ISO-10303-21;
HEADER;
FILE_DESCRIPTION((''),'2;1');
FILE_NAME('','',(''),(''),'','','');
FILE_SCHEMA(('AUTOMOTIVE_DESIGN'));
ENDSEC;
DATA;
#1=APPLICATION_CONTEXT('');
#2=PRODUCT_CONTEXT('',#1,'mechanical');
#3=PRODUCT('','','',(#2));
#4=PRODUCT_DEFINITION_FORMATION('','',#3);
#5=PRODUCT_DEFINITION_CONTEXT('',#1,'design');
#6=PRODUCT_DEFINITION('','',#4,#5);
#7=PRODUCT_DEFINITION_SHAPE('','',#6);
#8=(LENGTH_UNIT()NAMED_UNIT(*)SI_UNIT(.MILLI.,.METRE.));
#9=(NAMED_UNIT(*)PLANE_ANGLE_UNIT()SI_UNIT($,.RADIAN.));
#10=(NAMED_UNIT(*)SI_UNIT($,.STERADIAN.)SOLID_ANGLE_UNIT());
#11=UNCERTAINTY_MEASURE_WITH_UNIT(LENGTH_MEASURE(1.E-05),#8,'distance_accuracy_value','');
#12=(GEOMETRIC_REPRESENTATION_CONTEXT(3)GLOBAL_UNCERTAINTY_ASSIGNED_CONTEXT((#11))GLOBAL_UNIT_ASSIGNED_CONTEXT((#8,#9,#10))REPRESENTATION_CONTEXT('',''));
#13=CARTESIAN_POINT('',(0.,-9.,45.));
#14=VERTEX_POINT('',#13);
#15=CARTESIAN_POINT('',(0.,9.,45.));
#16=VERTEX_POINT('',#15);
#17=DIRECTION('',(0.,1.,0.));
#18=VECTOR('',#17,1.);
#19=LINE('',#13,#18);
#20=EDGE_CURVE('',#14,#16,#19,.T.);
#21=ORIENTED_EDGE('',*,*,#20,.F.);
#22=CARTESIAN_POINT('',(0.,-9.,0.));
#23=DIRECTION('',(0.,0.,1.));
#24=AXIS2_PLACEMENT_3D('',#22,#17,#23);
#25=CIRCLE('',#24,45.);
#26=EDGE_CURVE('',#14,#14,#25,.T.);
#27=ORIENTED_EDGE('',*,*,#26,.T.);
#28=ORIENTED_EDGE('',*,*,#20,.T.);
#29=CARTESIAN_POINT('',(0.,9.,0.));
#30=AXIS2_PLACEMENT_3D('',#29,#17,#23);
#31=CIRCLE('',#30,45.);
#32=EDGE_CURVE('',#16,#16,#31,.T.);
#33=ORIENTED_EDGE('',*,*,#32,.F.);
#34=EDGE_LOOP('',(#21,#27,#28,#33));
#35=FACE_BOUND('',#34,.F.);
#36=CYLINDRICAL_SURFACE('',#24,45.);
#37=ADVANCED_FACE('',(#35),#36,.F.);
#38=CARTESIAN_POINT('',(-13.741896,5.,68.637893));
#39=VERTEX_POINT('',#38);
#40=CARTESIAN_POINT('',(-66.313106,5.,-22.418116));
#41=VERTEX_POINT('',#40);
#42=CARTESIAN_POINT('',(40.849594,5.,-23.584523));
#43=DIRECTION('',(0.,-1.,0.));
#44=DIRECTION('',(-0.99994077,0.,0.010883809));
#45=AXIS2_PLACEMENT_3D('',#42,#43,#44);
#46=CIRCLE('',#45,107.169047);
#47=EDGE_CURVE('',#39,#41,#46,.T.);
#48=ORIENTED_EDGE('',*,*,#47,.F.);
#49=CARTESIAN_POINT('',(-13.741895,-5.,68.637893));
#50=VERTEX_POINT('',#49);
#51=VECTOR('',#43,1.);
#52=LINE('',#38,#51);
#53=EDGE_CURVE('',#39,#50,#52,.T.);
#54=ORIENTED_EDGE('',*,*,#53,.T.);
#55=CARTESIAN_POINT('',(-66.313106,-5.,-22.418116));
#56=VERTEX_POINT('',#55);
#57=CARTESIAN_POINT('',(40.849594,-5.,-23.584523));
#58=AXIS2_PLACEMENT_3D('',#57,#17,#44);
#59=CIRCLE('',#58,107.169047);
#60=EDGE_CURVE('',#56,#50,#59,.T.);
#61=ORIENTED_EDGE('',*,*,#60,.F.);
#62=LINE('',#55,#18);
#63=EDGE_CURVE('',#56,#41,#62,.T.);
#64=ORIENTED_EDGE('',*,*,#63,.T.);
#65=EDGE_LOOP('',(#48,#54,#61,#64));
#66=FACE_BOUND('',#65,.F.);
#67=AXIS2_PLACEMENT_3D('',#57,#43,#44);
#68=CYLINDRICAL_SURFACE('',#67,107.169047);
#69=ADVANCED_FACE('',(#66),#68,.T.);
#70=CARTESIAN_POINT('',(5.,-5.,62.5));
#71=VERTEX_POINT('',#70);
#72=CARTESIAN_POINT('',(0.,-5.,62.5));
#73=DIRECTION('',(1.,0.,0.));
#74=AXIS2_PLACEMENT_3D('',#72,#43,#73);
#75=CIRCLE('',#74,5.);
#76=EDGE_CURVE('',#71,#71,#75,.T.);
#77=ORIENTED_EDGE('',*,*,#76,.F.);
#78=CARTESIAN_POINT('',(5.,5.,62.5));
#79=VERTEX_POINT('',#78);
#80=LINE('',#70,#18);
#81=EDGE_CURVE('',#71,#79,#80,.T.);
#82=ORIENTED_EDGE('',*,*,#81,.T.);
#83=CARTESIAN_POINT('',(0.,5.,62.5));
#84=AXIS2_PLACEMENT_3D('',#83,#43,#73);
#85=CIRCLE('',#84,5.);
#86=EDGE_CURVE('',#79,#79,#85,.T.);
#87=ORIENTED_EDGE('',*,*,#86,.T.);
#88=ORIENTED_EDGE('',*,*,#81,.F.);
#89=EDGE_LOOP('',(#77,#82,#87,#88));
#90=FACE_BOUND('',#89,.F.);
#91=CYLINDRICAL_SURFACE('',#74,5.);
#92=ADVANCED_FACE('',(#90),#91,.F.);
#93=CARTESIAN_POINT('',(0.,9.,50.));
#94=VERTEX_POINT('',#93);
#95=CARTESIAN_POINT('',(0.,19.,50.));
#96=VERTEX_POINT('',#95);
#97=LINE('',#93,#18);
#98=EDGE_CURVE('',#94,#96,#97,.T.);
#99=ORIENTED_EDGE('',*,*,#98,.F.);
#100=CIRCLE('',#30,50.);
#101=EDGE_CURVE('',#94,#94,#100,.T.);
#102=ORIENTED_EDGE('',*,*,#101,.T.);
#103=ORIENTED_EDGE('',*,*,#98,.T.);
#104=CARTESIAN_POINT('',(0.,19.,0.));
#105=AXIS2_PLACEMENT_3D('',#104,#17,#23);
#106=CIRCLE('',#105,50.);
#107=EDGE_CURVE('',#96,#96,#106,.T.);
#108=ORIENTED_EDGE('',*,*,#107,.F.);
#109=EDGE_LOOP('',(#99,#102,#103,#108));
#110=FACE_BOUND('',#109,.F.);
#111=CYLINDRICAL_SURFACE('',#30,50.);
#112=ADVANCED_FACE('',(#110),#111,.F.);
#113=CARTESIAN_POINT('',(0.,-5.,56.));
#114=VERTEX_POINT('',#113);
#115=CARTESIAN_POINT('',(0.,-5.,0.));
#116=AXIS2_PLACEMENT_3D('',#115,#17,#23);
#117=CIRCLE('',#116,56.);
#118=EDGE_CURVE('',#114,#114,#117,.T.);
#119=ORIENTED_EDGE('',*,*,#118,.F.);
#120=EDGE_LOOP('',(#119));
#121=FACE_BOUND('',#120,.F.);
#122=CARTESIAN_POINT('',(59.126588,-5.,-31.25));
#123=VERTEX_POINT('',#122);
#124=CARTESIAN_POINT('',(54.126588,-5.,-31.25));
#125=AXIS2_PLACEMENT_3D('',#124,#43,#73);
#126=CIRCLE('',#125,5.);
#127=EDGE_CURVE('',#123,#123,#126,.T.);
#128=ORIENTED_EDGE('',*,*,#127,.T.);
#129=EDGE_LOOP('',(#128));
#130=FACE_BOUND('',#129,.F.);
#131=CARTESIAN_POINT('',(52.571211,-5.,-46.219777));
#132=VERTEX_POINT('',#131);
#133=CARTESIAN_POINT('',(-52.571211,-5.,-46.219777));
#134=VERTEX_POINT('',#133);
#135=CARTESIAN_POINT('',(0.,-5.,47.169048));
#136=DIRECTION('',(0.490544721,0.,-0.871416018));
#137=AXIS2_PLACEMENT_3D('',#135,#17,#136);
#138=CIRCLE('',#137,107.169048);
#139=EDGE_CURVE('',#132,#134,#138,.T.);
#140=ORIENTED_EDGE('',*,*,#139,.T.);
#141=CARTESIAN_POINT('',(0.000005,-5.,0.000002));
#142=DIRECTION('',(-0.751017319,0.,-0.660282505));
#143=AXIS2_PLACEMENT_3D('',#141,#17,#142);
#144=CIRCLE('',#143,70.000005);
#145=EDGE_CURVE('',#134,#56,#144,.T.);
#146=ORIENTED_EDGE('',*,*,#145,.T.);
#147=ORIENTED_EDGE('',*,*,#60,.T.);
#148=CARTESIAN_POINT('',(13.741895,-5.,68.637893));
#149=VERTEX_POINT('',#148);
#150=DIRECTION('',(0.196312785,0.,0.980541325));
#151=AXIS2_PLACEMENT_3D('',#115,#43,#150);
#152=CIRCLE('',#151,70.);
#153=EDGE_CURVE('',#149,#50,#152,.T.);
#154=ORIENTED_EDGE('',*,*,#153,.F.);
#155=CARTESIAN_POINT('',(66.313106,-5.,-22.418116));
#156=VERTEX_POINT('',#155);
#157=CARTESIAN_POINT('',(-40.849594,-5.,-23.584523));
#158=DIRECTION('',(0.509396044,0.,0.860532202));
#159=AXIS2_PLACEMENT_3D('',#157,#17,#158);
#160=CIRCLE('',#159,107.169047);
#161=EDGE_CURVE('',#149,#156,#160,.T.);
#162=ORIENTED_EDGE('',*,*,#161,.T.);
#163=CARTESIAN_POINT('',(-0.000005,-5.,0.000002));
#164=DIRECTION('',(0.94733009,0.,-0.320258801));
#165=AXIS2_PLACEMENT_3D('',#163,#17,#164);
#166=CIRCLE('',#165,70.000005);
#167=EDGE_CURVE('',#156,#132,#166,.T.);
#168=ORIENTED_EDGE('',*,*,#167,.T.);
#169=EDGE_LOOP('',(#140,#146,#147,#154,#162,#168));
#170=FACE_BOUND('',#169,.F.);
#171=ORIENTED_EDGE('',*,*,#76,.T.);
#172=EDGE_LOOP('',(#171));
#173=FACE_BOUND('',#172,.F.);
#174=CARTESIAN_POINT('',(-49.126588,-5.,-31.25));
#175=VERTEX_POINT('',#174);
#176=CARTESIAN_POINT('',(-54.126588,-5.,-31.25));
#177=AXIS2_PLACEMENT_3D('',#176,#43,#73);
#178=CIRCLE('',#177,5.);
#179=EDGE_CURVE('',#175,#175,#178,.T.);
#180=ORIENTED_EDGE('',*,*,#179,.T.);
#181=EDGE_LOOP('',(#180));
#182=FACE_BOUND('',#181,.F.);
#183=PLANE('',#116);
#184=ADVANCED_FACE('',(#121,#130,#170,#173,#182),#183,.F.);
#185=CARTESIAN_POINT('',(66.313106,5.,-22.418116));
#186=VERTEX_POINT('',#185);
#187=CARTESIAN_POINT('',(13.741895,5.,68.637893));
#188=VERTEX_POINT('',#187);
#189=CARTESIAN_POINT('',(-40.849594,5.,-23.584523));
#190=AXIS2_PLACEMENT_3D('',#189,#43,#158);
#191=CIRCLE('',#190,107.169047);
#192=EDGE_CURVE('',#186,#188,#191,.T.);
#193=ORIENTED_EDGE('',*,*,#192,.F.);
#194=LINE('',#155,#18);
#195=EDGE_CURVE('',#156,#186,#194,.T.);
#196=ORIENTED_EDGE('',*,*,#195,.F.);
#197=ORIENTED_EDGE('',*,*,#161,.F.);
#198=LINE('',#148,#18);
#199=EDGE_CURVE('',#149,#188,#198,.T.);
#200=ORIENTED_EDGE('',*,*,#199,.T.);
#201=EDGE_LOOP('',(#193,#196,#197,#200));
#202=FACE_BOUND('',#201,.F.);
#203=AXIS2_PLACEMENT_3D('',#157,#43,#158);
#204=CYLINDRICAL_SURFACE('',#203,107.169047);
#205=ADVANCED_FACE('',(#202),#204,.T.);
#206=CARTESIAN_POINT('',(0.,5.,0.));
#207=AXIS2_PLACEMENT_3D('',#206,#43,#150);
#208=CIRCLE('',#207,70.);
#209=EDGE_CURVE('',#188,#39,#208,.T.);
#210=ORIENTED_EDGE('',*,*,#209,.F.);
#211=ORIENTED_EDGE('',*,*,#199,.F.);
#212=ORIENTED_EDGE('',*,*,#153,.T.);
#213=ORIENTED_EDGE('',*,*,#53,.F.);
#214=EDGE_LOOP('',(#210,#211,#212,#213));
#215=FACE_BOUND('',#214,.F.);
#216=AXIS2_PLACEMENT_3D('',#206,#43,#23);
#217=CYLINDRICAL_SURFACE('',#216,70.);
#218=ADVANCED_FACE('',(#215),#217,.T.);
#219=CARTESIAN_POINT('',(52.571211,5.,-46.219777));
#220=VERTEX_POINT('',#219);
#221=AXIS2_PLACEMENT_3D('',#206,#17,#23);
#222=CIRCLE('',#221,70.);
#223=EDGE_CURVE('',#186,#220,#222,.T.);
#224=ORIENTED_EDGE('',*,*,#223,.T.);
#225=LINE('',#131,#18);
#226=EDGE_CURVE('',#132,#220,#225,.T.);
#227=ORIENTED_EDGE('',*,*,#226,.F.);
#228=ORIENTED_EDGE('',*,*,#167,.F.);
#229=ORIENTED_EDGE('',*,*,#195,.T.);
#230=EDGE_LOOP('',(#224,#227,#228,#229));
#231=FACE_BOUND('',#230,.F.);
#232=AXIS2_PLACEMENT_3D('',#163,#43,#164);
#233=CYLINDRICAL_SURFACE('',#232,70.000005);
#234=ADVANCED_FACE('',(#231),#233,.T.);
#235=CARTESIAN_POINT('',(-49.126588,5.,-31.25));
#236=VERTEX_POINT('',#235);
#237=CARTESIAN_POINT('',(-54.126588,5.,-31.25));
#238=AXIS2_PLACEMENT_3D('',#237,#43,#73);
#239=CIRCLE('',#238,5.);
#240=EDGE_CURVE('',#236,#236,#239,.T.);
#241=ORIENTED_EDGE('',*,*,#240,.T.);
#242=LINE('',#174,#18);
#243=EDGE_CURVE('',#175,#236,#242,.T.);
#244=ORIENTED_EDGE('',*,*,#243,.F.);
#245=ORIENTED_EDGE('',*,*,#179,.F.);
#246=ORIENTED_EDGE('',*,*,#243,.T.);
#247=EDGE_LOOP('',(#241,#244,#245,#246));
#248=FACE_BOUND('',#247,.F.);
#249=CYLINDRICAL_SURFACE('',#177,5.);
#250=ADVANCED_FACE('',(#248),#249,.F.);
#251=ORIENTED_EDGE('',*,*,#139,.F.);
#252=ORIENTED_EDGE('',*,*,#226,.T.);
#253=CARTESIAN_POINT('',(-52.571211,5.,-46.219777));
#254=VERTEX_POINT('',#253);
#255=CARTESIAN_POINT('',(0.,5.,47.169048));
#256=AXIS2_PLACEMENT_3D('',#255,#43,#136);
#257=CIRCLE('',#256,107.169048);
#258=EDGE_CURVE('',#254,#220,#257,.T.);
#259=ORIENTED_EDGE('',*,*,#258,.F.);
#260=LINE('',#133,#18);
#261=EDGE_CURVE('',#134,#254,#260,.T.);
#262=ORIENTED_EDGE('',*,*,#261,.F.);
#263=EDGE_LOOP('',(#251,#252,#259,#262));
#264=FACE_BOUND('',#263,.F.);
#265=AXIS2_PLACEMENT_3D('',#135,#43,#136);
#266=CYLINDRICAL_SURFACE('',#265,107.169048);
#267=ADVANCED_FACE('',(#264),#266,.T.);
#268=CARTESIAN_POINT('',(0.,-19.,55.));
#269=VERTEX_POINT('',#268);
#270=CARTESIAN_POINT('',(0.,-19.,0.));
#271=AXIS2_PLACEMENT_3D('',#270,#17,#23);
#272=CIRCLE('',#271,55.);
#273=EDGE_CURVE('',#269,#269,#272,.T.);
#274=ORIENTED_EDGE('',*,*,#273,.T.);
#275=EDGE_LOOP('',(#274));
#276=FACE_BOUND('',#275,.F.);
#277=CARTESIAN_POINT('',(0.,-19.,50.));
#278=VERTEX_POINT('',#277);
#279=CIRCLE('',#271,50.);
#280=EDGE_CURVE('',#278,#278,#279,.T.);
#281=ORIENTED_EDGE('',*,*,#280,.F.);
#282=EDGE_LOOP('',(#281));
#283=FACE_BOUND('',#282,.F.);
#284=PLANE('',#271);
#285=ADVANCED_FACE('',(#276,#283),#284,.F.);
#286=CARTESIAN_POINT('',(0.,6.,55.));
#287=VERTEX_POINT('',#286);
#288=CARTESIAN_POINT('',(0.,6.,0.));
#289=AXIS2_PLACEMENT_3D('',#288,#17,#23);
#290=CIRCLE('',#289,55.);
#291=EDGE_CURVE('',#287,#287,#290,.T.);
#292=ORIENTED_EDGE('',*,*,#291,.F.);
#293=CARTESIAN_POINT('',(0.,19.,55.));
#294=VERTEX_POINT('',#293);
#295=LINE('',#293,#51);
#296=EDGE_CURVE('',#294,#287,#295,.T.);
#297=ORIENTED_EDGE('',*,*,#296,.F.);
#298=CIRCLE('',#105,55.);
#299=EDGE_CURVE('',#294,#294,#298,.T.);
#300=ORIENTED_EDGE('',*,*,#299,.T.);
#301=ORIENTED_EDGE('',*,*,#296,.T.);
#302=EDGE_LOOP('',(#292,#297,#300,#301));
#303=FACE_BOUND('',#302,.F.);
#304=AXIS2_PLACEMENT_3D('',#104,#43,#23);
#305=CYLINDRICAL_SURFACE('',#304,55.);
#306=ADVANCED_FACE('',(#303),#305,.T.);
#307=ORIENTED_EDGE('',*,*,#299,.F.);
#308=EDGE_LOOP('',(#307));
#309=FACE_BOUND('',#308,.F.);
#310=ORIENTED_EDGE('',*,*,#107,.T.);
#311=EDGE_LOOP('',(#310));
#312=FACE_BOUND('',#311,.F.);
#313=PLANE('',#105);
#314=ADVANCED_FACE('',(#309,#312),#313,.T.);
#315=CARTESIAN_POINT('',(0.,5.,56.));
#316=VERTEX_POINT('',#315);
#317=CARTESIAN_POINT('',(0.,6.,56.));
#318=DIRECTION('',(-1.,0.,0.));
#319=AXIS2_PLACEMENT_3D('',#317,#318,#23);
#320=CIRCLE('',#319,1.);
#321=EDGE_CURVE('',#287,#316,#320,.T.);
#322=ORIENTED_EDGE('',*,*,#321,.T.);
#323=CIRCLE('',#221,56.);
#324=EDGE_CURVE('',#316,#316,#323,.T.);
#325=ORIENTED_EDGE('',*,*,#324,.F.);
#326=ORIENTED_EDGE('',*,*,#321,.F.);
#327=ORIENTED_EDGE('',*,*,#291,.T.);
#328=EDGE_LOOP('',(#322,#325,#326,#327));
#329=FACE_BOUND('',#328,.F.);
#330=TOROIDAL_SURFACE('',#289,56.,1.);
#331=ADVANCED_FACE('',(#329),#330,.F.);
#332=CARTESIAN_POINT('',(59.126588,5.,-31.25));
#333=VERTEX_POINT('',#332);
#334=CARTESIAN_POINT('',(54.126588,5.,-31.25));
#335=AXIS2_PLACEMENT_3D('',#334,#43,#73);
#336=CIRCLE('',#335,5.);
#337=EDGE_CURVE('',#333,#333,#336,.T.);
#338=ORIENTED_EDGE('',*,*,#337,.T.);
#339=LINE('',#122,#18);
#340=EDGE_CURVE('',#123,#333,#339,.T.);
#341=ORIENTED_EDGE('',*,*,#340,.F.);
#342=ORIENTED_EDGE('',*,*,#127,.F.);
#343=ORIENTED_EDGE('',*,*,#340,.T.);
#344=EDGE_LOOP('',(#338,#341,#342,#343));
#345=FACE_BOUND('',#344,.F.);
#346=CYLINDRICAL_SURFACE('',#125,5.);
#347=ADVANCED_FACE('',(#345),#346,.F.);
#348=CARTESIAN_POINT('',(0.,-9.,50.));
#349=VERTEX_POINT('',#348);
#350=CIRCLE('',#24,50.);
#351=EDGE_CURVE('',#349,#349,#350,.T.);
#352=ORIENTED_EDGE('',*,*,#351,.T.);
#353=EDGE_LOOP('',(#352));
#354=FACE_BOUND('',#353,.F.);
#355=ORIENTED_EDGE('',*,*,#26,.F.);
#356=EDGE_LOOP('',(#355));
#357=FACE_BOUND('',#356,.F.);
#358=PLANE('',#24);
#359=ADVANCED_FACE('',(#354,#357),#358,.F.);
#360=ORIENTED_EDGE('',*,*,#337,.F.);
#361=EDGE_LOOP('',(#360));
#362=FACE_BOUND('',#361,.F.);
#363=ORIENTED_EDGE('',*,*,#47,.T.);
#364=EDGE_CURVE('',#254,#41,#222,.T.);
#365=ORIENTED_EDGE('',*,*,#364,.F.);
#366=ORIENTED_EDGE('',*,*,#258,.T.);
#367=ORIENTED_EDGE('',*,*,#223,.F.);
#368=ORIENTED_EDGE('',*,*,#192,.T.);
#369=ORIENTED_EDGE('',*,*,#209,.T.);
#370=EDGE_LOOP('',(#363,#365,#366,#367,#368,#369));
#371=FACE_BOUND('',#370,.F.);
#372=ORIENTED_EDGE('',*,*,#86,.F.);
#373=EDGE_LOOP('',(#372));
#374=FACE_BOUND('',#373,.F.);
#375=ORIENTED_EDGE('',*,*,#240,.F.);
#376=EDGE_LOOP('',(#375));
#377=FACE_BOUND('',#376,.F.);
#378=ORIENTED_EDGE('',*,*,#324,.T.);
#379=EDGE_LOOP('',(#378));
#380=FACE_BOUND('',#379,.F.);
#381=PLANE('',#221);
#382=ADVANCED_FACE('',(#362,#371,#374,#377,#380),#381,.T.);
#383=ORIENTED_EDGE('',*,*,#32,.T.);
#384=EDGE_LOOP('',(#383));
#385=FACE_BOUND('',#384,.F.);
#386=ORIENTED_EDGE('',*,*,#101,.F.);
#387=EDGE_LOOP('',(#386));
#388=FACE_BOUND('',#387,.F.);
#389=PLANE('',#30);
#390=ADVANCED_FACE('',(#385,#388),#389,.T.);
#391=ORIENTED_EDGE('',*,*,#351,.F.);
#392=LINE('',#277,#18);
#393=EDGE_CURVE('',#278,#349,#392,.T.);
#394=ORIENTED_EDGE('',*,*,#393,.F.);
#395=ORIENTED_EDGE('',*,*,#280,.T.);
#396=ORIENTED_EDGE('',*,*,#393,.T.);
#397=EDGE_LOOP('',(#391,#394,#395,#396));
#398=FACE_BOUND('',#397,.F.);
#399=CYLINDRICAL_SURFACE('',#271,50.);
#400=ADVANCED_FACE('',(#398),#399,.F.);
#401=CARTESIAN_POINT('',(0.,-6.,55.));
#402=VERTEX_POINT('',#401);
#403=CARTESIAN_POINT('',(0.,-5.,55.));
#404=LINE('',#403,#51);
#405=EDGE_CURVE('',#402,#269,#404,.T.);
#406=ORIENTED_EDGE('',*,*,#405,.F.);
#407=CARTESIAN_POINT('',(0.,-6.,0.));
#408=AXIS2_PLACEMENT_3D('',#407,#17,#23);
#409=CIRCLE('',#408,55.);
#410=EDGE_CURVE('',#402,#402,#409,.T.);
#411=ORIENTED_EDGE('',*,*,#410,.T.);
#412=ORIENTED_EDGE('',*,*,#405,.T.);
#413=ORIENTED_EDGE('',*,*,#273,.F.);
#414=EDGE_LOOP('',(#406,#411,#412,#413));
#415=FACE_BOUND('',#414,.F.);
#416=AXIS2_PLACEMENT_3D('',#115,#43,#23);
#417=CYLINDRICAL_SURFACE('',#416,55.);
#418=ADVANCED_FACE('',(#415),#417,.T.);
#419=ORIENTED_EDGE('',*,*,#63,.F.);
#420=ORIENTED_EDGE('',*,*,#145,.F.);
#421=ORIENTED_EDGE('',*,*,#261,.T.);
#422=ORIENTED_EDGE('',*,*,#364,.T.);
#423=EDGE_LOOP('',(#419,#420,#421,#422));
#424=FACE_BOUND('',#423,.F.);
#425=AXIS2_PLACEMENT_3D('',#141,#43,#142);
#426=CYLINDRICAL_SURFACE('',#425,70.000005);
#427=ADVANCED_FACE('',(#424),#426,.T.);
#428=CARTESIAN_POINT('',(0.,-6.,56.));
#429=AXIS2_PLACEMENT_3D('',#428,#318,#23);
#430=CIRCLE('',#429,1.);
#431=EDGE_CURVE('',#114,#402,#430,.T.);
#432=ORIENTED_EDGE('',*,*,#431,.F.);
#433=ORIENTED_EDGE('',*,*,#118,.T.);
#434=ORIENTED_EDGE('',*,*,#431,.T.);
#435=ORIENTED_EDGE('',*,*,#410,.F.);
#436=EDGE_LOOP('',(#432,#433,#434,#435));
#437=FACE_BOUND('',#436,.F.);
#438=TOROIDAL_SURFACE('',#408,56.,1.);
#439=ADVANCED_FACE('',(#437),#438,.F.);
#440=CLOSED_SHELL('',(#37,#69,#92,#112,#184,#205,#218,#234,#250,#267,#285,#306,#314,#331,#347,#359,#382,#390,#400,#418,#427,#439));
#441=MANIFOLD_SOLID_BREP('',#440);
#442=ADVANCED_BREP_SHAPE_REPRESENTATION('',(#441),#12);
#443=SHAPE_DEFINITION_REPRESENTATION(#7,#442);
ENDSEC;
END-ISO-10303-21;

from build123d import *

# Parameters (mm, degrees)
F2_R     = 5
F3_DEPTH = 24.001
F4_R     = 81.962232
F5_DEPTH = 24.001
F6_R     = 1


with BuildPart() as f1:
    # F0 (on Right) → F1 (revolve)
    with BuildSketch(Plane.YZ):
        Polygon((-19, 55), (-19, 50), (-9, 50), (-9, 45), (9, 45), (9, 50), (19, 50), (19, 55), (5, 55), (5, 70), (-5, 70), (-5, 55), align=None)
    revolve(axis=Axis((0, 0.467166, 0), (0, 1, 0)))

    # F2 (on face) → F3 (cut, through all)
    with BuildSketch(Plane.XZ.offset(5)):
        with Locations((0, 62.5)):
            Circle(F2_R)
        with Locations((-54.126588, -31.25)):
            Circle(F2_R)
        with Locations((54.126588, -31.25)):
            Circle(F2_R)
    extrude(amount=-F3_DEPTH, mode=Mode.SUBTRACT)

    # F4 (on face) → F5 (cut, through all)
    with BuildSketch(Plane.XZ.offset(5)):
        Circle(F4_R)
        with BuildLine():
            ThreePointArc((-13.741895, 68.637893), (0, 70), (13.741895, 68.637893))
            ThreePointArc((13.741895, 68.637893), (51.961524, 30), (66.313106, -22.418116))
            ThreePointArc((66.313106, -22.418116), (60.621778, -35), (52.571211, -46.219777))
            ThreePointArc((52.571211, -46.219777), (0, -60), (-52.571211, -46.219777))
            ThreePointArc((-52.571211, -46.219777), (-60.621778, -35), (-66.313106, -22.418116))
            ThreePointArc((-66.313106, -22.418116), (-51.961524, 30), (-13.741895, 68.637893))
        make_face(mode=Mode.SUBTRACT)
    extrude(amount=-F5_DEPTH, mode=Mode.SUBTRACT)

    # F6
    f6_edges = [f1.edges().sort_by_distance(p)[0] for p in [
        (0, -5, -55),
        (0, 5, -55),
    ]]
    fillet(f6_edges, radius=F6_R)


solid = f1.part
